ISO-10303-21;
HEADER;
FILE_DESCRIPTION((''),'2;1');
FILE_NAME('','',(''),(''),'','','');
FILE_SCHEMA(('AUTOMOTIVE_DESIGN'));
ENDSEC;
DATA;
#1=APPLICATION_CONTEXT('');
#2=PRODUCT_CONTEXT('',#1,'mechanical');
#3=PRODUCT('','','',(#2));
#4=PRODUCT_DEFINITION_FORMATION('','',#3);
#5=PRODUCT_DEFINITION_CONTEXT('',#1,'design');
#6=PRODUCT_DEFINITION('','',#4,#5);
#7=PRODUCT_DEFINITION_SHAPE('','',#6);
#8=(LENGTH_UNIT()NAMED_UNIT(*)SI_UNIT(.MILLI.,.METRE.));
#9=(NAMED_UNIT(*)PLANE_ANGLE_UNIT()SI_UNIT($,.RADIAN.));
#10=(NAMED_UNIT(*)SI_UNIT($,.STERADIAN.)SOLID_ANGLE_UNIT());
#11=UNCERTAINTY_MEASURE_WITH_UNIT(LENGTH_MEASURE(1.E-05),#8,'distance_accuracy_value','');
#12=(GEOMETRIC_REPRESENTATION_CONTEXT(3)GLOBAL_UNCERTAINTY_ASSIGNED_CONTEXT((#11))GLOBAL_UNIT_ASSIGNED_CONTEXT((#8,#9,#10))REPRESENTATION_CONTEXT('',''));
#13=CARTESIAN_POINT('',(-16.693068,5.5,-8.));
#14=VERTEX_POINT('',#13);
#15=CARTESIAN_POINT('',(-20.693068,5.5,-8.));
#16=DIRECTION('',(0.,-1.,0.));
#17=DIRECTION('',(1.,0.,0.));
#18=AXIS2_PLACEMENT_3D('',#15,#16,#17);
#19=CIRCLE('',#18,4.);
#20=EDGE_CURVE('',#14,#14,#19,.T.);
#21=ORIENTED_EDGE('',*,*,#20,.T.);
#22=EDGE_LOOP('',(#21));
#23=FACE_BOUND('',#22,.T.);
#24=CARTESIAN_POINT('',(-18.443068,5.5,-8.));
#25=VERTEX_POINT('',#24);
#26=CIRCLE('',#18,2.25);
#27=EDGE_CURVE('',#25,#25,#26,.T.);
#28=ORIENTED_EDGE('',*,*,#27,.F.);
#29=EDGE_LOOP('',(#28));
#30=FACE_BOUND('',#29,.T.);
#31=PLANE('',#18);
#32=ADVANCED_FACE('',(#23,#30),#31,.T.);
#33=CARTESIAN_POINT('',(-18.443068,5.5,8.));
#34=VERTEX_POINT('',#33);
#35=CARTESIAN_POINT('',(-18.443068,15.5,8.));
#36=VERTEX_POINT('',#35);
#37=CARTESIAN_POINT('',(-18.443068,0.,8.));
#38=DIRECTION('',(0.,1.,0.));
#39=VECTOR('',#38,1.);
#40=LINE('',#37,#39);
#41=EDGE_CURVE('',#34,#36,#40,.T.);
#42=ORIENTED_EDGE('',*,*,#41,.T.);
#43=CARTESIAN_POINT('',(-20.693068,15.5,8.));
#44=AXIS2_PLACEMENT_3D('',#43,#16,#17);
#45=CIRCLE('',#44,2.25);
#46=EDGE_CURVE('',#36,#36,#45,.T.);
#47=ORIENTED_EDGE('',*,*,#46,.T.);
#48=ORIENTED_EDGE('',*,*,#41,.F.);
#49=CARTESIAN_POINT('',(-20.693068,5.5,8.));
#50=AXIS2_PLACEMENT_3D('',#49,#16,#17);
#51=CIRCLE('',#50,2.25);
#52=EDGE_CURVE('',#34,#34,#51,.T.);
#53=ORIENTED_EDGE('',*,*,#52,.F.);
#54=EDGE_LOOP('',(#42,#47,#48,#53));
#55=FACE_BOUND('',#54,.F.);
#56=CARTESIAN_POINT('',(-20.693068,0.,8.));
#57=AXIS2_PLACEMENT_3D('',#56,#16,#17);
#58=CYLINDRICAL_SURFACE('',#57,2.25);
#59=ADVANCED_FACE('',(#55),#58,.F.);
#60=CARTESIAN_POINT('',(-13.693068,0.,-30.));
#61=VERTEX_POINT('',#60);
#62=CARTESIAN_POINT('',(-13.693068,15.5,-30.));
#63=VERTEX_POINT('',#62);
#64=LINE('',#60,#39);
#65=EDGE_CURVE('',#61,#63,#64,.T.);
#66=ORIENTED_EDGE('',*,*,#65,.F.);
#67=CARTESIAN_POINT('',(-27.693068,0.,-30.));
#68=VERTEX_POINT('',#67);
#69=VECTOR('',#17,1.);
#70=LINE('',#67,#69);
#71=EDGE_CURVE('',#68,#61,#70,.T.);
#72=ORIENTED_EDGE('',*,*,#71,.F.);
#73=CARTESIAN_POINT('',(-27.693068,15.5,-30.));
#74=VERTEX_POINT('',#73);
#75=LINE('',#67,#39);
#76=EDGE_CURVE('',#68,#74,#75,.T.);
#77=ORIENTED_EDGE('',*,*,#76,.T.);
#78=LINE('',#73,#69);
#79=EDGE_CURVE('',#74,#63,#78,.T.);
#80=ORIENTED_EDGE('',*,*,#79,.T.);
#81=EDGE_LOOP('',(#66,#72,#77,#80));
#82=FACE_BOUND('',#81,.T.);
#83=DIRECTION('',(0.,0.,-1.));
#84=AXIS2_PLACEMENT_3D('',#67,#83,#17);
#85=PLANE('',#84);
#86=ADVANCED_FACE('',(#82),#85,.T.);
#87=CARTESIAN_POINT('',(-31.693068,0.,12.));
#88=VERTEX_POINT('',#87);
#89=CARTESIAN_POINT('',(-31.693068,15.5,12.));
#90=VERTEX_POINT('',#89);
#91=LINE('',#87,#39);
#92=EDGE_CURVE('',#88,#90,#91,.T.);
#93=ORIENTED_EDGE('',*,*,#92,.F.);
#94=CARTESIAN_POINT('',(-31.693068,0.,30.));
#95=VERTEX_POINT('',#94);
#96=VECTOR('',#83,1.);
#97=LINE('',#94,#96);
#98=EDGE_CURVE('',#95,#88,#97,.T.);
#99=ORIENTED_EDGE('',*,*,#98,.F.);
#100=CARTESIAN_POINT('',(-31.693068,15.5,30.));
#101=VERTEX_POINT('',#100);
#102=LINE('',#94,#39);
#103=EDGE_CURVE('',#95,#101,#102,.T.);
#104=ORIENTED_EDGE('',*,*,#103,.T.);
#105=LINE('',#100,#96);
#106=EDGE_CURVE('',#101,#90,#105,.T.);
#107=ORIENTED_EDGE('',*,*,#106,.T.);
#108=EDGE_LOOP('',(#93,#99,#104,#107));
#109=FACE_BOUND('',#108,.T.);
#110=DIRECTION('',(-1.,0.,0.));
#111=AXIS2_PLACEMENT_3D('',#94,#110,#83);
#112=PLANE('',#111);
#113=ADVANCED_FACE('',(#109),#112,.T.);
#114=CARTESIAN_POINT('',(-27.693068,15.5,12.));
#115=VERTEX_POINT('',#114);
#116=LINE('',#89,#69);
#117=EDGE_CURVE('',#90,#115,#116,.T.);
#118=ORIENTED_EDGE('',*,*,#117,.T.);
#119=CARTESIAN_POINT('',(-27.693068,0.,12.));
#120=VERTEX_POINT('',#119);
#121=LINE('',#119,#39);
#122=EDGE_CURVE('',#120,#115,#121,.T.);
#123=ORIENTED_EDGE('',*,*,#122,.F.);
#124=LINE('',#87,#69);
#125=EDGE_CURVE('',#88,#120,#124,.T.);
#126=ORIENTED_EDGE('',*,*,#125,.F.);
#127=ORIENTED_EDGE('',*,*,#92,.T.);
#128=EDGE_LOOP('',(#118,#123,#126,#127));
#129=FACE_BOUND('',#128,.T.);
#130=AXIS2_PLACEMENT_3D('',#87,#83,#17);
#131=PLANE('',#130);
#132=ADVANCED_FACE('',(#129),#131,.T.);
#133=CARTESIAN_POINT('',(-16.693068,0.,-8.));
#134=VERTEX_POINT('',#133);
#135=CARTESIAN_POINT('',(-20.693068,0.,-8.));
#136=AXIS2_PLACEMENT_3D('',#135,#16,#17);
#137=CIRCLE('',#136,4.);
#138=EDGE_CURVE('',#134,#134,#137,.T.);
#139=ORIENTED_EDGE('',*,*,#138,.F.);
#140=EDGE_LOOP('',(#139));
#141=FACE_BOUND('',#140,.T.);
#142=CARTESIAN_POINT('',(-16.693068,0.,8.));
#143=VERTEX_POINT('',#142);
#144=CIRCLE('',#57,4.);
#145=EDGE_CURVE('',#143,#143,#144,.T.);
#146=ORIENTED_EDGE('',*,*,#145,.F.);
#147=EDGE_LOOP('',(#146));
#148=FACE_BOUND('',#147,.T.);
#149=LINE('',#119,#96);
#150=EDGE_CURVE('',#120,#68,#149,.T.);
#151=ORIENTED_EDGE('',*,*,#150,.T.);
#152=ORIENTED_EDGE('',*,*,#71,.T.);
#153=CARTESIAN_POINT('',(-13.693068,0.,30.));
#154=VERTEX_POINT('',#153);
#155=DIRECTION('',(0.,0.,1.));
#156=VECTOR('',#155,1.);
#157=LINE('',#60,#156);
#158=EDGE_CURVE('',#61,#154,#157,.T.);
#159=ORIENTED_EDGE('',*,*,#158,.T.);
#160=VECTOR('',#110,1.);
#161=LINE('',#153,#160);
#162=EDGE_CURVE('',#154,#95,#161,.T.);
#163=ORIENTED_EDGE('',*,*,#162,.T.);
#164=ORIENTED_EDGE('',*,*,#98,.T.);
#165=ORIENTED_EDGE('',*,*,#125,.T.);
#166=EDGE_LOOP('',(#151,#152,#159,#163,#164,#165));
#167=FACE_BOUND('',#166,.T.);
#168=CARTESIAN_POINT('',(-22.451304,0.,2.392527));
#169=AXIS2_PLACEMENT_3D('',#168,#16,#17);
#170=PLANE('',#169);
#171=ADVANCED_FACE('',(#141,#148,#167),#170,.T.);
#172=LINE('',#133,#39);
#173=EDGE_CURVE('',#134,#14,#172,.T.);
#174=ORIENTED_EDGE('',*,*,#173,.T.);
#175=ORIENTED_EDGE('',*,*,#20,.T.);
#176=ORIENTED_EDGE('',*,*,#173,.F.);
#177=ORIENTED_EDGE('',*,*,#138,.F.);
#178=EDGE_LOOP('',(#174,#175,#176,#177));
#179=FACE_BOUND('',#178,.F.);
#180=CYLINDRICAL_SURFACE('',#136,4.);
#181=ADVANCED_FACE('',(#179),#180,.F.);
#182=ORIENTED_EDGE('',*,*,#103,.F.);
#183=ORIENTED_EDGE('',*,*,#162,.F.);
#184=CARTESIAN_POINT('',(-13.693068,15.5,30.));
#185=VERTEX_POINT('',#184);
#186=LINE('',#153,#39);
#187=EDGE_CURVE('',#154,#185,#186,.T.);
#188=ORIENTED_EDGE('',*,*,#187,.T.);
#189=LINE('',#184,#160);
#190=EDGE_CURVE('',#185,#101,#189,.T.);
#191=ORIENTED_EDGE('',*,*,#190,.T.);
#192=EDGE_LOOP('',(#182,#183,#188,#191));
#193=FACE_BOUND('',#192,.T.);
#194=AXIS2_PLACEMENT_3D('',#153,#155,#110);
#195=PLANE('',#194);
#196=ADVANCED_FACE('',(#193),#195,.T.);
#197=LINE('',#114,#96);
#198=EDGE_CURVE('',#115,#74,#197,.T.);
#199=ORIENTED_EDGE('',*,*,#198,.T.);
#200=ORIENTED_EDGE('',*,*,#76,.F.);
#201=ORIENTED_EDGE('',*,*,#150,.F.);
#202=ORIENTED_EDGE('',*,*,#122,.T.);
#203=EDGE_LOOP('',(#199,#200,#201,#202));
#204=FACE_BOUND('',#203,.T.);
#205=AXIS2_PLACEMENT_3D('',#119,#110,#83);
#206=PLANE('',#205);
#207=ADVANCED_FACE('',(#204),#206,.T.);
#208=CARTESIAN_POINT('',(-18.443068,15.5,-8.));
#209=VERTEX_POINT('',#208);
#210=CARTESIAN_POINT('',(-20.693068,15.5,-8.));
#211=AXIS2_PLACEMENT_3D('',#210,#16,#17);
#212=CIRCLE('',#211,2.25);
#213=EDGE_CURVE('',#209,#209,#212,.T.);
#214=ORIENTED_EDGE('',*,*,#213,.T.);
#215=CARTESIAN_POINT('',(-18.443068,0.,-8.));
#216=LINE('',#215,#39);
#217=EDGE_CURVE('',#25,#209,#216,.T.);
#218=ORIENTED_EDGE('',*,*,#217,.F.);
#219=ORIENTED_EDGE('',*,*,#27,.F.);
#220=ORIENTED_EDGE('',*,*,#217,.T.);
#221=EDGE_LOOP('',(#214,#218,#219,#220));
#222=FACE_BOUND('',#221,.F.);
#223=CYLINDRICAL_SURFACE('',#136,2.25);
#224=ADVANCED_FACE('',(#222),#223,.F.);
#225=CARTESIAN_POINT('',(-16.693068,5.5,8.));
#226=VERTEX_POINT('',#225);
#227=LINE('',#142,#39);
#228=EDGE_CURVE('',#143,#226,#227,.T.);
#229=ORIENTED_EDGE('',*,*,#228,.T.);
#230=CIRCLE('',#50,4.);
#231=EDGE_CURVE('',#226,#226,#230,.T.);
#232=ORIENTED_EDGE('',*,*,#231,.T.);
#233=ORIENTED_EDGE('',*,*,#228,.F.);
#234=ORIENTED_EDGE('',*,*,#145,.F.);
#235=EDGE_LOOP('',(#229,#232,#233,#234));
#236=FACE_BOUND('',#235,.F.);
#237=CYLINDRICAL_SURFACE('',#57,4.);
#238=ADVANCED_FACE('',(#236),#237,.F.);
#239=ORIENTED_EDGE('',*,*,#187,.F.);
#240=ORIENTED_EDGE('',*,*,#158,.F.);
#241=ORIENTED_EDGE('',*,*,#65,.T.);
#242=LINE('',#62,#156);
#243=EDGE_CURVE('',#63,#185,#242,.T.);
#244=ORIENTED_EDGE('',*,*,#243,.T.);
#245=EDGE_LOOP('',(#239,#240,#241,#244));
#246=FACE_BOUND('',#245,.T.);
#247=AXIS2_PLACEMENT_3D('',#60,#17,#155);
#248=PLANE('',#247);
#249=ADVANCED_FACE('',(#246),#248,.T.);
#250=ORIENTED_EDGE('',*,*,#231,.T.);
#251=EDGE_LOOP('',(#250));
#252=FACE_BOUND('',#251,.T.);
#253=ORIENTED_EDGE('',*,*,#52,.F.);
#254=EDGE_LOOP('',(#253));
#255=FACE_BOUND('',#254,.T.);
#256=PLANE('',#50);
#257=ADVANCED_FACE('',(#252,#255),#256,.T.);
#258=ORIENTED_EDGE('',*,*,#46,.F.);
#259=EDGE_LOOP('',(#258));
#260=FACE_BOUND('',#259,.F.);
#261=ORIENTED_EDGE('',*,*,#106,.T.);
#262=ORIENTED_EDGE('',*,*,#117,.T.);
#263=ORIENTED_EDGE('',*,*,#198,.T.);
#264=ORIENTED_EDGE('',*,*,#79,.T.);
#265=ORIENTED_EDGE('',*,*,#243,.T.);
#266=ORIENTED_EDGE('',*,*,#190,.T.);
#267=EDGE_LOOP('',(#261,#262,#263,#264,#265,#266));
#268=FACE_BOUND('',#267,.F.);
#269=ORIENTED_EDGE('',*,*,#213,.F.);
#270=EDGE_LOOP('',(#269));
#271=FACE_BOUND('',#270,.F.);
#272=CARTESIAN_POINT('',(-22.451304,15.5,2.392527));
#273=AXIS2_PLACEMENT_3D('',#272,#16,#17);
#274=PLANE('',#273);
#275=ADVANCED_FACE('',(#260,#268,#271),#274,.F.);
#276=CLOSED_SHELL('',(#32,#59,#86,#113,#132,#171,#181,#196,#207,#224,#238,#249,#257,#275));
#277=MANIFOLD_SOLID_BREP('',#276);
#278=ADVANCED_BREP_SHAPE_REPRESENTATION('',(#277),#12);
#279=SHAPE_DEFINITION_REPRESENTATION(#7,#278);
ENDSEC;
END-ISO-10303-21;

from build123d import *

# Parameters (mm, degrees)
F0_R     = 4
F0_R_2   = 2.25
F0_W     = 1
F0_H     = 20
F1_DEPTH = 15.5
F2_DEPTH = 15.501
F3_DEPTH = 5.5


with BuildPart() as f1:
    # F0 (on Front) → F1 (new body)
    with BuildSketch(Plane.XZ):
        with BuildLine():
            Line((-31.693068, 12), (-27.693068, 12))
            Line((-27.693068, 12), (-27.693068, -10))
            Line((-27.693068, -10), (-26.693068, -10))
            Line((-26.693068, -10), (-26.693068, -30))
            Line((-26.693068, -30), (-22.693068, -30))
            Line((-22.693068, -30), (-22.693068, -18))
            ThreePointArc((-22.693068, -18), (-21.228602, -14.464466), (-17.693068, -13))
            Line((-17.693068, -13), (-13.693068, -13))
            Line((-13.693068, -13), (-13.693068, 30))
            Line((-13.693068, 30), (-31.693068, 30))
            Line((-31.693068, 30), (-31.693068, 12))
        make_face()
        with Locations((-20.693068, -8)):
            Circle(F0_R, mode=Mode.SUBTRACT)
        with Locations((-20.693068, 8)):
            Circle(F0_R, mode=Mode.SUBTRACT)
        with Locations((-20.693068, 8)):
            Circle(F0_R)
        with Locations((-20.693068, 8)):
            Circle(F0_R_2, mode=Mode.SUBTRACT)
        with Locations((-20.693068, -8)):
            Circle(F0_R)
        with Locations((-20.693068, -8)):
            Circle(F0_R_2, mode=Mode.SUBTRACT)
        with BuildLine():
            Line((-22.693068, -18), (-22.693068, -30))
            Line((-22.693068, -30), (-13.693068, -30))
            Line((-13.693068, -30), (-13.693068, -13))
            Line((-13.693068, -13), (-17.693068, -13))
            ThreePointArc((-17.693068, -13), (-21.228602, -14.464466), (-22.693068, -18))
        make_face()
        with Locations((-20.693068, 8)):
            Circle(F0_R_2)
        with Locations((-27.193068, -20)):
            Rectangle(F0_W, F0_H)
        with Locations((-20.693068, -8)):
            Circle(F0_R_2)
    extrude(amount=-F1_DEPTH)

    # F0 (on Front) → F2 (cut, through all)
    with BuildSketch(Plane.XZ):
        with Locations((-20.693068, 8)):
            Circle(F0_R_2)
        with Locations((-20.693068, -8)):
            Circle(F0_R_2)
    extrude(amount=-F2_DEPTH, mode=Mode.SUBTRACT)

    # F0 (on Front) → F3 (cut)
    with BuildSketch(Plane.XZ):
        with Locations((-20.693068, 8)):
            Circle(F0_R)
        with Locations((-20.693068, 8)):
            Circle(F0_R_2, mode=Mode.SUBTRACT)
        with Locations((-20.693068, -8)):
            Circle(F0_R)
        with Locations((-20.693068, -8)):
            Circle(F0_R_2, mode=Mode.SUBTRACT)
        with Locations((-20.693068, 8)):
            Circle(F0_R_2)
        with Locations((-20.693068, -8)):
            Circle(F0_R_2)
    extrude(amount=-F3_DEPTH, mode=Mode.SUBTRACT)


solid = f1.part
